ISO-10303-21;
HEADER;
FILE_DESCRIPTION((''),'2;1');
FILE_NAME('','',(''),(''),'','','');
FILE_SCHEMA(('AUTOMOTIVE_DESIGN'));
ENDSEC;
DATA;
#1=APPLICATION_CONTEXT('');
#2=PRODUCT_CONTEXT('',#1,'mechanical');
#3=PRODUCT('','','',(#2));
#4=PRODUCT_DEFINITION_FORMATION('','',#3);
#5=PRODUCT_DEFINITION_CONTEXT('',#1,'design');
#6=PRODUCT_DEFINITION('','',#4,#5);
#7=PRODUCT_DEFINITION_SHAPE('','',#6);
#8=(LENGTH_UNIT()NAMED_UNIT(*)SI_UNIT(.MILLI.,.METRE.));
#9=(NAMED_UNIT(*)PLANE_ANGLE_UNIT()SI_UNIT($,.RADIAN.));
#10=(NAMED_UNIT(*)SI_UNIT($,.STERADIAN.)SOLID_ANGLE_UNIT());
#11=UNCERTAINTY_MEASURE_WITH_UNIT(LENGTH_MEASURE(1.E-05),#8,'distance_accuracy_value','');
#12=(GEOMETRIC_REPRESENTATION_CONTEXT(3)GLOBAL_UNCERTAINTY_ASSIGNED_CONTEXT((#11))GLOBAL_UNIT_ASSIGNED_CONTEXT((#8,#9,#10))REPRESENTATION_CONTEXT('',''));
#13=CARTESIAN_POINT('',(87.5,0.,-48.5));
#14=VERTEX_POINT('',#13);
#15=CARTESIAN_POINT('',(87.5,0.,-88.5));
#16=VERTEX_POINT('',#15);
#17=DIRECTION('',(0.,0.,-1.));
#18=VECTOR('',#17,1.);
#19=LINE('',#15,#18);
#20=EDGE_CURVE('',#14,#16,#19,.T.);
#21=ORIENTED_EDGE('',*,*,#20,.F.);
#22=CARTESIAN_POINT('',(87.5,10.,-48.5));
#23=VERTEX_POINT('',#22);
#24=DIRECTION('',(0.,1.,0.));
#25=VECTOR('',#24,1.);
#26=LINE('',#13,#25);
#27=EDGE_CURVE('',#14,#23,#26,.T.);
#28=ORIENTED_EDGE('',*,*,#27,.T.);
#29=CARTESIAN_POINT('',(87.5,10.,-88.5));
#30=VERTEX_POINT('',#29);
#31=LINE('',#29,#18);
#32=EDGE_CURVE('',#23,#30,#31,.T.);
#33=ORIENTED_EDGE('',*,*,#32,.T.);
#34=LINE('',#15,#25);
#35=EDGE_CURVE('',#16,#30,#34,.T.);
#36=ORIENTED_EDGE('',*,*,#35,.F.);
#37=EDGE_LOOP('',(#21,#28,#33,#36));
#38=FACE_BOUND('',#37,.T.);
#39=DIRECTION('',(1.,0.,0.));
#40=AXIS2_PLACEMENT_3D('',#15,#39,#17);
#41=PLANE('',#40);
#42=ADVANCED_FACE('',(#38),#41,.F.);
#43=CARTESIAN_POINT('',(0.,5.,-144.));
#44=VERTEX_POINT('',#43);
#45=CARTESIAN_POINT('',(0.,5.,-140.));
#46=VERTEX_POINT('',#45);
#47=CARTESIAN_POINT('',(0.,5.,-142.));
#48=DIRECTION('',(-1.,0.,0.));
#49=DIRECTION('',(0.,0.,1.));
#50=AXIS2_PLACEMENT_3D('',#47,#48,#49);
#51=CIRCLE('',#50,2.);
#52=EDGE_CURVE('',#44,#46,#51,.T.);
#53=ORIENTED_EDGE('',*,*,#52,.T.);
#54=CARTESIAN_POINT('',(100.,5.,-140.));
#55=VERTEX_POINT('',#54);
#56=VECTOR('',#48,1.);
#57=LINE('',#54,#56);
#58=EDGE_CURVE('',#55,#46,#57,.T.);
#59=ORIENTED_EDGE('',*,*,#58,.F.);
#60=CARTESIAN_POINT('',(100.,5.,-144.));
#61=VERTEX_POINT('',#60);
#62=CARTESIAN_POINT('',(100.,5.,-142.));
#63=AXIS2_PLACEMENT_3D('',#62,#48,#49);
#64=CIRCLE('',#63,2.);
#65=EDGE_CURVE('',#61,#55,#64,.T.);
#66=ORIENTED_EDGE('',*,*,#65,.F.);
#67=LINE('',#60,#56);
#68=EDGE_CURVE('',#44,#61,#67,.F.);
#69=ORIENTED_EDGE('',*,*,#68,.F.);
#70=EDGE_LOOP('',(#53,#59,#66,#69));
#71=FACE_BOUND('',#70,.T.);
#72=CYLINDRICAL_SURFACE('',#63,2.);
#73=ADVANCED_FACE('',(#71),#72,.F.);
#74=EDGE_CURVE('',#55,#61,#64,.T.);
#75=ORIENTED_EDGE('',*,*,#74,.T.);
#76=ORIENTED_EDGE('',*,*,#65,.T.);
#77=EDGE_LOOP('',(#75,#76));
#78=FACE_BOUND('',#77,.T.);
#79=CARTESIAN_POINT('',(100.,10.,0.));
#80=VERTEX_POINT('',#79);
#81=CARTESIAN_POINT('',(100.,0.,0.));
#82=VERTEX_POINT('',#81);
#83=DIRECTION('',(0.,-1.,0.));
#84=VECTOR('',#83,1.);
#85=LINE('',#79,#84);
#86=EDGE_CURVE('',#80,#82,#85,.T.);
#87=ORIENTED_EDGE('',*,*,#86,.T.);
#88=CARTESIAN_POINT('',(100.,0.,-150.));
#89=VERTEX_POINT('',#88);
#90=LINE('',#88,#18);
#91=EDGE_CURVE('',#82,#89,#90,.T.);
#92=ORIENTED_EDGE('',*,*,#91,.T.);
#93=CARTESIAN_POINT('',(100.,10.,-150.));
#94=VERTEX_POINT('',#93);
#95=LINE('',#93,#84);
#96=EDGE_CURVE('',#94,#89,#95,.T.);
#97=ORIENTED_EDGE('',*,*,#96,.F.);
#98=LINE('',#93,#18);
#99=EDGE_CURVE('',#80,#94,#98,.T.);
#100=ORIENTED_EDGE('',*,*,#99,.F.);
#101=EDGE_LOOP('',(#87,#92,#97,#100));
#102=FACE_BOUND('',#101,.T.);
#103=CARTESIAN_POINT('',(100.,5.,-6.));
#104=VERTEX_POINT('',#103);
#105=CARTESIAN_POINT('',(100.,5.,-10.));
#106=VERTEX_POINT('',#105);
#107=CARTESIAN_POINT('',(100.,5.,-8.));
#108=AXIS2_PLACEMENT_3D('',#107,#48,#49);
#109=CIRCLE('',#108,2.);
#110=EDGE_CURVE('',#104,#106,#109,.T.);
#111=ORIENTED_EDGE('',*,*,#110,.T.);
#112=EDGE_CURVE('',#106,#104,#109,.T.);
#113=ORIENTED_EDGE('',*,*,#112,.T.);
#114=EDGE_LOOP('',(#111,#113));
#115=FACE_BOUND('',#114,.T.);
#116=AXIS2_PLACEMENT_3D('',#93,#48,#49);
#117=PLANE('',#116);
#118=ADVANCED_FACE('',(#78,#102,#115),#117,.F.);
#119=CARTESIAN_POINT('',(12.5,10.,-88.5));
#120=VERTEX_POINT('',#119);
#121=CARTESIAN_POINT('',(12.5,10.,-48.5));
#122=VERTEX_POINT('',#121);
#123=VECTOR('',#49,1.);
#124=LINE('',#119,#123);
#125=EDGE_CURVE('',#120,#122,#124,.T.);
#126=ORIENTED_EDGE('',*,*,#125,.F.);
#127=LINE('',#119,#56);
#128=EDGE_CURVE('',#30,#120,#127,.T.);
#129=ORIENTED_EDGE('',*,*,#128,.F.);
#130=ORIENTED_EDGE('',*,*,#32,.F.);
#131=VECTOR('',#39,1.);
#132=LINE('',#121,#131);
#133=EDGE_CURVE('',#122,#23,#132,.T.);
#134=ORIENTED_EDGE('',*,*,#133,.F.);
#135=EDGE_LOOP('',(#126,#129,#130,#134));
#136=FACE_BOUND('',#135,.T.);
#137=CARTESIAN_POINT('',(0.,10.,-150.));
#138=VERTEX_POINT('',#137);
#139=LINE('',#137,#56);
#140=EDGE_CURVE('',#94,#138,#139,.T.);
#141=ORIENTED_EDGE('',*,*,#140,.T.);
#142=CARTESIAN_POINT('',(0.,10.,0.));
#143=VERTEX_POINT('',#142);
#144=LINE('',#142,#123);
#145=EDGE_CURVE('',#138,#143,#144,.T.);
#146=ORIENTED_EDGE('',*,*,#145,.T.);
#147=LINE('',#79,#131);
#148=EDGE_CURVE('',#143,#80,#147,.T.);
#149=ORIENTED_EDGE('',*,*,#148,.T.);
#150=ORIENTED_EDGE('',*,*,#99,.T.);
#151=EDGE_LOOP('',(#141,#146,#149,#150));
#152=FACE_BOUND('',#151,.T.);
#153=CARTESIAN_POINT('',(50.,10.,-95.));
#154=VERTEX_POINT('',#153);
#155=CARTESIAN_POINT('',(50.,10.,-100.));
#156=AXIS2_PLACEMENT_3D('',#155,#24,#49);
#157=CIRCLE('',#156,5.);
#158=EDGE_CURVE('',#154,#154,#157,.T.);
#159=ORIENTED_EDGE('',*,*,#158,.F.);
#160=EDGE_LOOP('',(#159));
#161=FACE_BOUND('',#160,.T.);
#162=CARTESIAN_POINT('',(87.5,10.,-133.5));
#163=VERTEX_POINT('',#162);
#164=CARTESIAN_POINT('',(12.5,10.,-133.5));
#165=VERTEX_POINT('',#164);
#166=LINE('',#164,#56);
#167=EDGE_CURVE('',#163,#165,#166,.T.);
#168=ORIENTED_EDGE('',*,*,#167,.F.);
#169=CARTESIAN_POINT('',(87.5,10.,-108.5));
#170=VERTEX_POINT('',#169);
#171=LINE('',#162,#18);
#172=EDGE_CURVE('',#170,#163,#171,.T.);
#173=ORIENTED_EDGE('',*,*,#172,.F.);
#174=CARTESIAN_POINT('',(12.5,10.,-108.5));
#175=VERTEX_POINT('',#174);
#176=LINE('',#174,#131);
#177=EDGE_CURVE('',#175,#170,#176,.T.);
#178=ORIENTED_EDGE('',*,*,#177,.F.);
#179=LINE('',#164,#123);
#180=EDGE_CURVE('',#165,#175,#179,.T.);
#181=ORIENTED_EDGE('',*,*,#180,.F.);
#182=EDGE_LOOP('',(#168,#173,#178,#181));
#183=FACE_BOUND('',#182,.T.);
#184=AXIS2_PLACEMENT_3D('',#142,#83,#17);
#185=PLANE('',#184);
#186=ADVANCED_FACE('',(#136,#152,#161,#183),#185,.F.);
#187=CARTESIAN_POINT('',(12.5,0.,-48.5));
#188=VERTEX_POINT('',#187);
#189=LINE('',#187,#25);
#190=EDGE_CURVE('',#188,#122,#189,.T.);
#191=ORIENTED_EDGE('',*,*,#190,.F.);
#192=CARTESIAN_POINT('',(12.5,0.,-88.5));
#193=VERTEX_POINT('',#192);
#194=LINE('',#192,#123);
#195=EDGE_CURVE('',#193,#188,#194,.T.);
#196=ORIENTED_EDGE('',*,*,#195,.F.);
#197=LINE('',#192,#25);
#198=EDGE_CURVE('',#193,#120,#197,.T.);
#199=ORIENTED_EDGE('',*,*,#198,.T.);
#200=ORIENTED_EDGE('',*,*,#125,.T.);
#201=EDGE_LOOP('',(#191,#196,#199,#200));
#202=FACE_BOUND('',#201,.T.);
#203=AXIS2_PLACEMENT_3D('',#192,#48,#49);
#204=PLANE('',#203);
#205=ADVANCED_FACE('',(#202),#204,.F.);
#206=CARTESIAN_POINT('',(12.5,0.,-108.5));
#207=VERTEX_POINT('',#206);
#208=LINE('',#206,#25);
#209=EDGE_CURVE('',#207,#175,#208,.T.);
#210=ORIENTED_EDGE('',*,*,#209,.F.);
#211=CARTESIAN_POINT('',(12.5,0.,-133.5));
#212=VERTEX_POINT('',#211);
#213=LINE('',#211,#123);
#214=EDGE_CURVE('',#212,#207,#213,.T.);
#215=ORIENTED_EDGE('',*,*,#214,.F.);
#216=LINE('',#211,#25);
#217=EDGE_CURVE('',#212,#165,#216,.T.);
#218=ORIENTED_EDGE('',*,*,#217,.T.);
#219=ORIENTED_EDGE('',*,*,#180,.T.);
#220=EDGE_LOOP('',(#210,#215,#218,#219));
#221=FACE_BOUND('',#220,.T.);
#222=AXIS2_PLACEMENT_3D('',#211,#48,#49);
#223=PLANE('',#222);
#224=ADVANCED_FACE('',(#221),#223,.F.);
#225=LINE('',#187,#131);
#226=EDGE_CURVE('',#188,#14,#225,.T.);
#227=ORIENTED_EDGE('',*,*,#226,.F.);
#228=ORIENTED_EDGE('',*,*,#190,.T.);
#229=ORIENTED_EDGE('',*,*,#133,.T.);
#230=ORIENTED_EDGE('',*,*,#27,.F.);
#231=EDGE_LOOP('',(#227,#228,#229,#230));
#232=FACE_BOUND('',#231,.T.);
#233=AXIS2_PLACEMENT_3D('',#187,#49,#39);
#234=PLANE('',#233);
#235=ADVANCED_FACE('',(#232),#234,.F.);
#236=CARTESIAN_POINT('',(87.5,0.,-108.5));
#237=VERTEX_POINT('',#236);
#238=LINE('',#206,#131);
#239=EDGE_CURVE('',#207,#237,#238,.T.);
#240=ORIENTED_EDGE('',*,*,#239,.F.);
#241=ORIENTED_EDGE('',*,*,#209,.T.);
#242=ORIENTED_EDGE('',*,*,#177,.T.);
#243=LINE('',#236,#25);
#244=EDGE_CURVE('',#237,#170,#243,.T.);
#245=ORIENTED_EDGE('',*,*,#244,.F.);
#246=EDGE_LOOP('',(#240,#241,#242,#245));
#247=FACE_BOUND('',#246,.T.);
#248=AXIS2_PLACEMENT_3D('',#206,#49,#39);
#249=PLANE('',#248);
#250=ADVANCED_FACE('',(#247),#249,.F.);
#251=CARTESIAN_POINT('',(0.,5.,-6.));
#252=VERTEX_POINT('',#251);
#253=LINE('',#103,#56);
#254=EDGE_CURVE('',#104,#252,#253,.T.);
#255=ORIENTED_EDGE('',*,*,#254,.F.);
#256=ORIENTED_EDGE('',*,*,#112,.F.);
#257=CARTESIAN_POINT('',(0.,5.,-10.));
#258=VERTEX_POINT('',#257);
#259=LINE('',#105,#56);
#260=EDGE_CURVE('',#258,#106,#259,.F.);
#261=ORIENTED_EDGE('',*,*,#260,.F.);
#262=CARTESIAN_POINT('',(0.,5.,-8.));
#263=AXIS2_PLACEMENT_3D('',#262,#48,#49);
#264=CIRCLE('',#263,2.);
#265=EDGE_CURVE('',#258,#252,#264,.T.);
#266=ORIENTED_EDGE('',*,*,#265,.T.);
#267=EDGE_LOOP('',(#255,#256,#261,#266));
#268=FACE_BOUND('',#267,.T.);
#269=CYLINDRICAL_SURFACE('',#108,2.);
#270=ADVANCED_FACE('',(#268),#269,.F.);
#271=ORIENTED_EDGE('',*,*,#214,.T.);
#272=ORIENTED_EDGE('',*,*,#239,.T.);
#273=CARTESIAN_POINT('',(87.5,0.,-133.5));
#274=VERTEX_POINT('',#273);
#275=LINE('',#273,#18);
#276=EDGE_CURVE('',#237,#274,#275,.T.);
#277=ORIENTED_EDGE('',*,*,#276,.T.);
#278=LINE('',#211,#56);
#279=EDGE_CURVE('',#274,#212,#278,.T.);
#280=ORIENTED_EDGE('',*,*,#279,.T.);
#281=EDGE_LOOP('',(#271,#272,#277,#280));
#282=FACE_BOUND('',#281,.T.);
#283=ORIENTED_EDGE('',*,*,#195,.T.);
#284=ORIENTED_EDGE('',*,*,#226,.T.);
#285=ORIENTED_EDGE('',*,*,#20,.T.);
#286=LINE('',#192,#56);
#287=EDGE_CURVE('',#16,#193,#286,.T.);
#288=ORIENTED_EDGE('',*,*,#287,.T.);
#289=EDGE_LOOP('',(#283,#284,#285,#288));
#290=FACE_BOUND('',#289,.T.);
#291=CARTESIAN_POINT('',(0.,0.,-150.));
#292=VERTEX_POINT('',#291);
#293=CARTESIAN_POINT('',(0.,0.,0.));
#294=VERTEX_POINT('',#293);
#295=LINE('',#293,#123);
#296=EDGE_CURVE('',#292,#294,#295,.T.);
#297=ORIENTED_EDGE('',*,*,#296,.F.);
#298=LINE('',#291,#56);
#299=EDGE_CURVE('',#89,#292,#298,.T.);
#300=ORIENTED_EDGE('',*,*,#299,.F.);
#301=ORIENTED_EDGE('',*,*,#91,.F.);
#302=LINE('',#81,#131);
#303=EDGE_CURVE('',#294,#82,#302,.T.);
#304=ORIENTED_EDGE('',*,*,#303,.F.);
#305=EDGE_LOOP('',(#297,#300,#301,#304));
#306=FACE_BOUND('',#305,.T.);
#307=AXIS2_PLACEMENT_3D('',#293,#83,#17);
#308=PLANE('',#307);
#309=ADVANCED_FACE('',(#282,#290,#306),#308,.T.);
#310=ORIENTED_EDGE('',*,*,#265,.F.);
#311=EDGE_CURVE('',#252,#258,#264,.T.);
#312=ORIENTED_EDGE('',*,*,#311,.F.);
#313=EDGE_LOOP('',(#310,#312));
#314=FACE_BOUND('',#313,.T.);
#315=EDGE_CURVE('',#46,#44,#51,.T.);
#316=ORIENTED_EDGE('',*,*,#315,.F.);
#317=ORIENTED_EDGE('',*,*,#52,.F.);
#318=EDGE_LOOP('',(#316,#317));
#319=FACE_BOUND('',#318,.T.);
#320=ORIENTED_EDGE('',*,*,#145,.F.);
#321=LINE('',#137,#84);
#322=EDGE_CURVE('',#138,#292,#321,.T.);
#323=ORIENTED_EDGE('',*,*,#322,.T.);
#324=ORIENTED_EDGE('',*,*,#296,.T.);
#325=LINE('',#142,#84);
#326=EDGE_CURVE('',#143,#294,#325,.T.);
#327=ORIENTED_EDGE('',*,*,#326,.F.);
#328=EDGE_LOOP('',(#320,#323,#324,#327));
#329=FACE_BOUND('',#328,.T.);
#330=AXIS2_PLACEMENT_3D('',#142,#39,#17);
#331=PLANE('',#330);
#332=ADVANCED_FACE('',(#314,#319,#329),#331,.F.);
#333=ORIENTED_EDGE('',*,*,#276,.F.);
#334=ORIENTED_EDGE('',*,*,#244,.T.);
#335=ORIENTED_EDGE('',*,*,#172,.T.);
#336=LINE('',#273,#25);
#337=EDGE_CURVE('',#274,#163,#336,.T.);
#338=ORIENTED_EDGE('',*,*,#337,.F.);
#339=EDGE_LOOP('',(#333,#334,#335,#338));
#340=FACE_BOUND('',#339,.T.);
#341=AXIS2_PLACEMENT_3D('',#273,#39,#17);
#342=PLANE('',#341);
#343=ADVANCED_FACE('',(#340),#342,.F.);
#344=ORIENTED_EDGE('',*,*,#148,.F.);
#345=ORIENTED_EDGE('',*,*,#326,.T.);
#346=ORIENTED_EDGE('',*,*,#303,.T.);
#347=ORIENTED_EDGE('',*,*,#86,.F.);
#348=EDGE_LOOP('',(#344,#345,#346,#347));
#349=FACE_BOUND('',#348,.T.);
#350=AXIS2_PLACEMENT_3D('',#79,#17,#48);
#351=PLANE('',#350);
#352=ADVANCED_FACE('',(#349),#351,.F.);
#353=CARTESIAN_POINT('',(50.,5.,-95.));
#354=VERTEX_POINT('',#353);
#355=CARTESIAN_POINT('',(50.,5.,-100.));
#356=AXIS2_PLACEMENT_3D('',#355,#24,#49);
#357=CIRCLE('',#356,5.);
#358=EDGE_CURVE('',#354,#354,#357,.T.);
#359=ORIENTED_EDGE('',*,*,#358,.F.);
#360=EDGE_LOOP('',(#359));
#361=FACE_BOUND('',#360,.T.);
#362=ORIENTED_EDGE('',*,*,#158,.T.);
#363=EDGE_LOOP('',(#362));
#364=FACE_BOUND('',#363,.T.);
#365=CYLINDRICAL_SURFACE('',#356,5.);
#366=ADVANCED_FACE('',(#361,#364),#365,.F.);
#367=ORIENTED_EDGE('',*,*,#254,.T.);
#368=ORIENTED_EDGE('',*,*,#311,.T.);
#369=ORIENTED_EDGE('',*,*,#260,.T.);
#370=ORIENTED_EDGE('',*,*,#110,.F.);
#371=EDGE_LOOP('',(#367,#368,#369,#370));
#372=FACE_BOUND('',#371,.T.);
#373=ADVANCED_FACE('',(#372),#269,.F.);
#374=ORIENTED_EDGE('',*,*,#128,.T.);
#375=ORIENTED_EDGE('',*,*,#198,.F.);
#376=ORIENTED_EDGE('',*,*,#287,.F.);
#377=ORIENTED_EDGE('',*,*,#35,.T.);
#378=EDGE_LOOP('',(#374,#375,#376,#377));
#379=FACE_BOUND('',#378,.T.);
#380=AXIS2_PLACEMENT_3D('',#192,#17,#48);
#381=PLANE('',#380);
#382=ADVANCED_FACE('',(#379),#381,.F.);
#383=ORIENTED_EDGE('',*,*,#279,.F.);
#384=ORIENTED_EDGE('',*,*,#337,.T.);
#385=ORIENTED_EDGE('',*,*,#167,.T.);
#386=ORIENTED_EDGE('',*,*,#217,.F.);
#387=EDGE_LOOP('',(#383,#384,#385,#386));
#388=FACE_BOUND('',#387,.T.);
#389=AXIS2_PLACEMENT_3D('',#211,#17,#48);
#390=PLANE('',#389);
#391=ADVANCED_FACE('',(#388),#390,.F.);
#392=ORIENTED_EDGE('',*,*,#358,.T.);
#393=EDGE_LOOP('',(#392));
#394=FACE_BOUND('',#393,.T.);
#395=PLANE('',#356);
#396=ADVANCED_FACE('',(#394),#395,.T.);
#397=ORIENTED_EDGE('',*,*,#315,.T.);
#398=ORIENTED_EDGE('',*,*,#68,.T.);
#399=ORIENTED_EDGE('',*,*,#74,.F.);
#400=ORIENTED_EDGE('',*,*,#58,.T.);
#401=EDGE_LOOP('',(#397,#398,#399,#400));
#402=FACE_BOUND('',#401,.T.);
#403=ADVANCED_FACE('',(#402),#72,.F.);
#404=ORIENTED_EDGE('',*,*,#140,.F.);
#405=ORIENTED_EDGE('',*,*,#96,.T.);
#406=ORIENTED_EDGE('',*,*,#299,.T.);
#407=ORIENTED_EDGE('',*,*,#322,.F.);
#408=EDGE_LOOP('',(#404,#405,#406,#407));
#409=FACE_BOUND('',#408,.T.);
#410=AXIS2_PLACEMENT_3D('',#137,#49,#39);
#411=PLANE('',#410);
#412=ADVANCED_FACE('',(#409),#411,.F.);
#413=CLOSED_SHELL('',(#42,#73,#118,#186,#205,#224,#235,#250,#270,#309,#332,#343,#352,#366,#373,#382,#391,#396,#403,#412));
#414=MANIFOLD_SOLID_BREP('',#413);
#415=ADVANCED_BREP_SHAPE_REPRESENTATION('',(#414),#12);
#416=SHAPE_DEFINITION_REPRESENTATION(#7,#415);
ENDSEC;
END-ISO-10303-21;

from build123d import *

# Parameters (mm, degrees)
SKETCH2_W           = 100
SKETCH2_H           = 150
BOSS_EXTRUDE1_DEPTH = 10
SKETCH3_R           = 5
MOUNTHOLE_DEPTH     = 5
SKETCH4_R           = 2
CUT_EXTRUDE2_DEPTH  = 101
SKETCH5_R           = 2
CUT_EXTRUDE3_DEPTH  = 101
SKETCH14_W          = 75
SKETCH14_H          = 25
SKETCH14_H_2        = 40
CUT_EXTRUDE7_DEPTH  = 11


with BuildPart() as part:
    # Sketch2 → Boss-Extrude1 (new body)
    with BuildSketch(Plane(origin=(0, 0, 0), x_dir=(1, 0, 0), z_dir=(0, 1, 0))):
        with Locations((50, 75)):
            Rectangle(SKETCH2_W, SKETCH2_H)
    extrude(amount=BOSS_EXTRUDE1_DEPTH)

    # Sketch3 → MountHole (cut)
    with BuildSketch(Plane(origin=(0, 10, 0), x_dir=(1, 0, 0), z_dir=(0, 1, 0))):
        with Locations((50, 100)):
            Circle(SKETCH3_R)
    extrude(amount=-MOUNTHOLE_DEPTH, mode=Mode.SUBTRACT)

    # Sketch4 → Cut-Extrude2 (cut, through all)
    with BuildSketch(Plane.ZY):
        with Locations((-8, 5)):
            Circle(SKETCH4_R)
    extrude(amount=-CUT_EXTRUDE2_DEPTH, mode=Mode.SUBTRACT)

    # Sketch5 → Cut-Extrude3 (cut, through all)
    with BuildSketch(Plane.ZY):
        with Locations((-142, 5)):
            Circle(SKETCH5_R)
    extrude(amount=-CUT_EXTRUDE3_DEPTH, mode=Mode.SUBTRACT)

    # Sketch14 → Cut-Extrude7 (cut, through all)
    with BuildSketch(Plane(origin=(0, 10, 0), x_dir=(1, 0, 0), z_dir=(0, 1, 0))):
        with Locations((50, 121)):
            Rectangle(SKETCH14_W, SKETCH14_H)
        with Locations((50, 68.5)):
            Rectangle(SKETCH14_W, SKETCH14_H_2)
    extrude(amount=-CUT_EXTRUDE7_DEPTH, mode=Mode.SUBTRACT)


solid = part.part
